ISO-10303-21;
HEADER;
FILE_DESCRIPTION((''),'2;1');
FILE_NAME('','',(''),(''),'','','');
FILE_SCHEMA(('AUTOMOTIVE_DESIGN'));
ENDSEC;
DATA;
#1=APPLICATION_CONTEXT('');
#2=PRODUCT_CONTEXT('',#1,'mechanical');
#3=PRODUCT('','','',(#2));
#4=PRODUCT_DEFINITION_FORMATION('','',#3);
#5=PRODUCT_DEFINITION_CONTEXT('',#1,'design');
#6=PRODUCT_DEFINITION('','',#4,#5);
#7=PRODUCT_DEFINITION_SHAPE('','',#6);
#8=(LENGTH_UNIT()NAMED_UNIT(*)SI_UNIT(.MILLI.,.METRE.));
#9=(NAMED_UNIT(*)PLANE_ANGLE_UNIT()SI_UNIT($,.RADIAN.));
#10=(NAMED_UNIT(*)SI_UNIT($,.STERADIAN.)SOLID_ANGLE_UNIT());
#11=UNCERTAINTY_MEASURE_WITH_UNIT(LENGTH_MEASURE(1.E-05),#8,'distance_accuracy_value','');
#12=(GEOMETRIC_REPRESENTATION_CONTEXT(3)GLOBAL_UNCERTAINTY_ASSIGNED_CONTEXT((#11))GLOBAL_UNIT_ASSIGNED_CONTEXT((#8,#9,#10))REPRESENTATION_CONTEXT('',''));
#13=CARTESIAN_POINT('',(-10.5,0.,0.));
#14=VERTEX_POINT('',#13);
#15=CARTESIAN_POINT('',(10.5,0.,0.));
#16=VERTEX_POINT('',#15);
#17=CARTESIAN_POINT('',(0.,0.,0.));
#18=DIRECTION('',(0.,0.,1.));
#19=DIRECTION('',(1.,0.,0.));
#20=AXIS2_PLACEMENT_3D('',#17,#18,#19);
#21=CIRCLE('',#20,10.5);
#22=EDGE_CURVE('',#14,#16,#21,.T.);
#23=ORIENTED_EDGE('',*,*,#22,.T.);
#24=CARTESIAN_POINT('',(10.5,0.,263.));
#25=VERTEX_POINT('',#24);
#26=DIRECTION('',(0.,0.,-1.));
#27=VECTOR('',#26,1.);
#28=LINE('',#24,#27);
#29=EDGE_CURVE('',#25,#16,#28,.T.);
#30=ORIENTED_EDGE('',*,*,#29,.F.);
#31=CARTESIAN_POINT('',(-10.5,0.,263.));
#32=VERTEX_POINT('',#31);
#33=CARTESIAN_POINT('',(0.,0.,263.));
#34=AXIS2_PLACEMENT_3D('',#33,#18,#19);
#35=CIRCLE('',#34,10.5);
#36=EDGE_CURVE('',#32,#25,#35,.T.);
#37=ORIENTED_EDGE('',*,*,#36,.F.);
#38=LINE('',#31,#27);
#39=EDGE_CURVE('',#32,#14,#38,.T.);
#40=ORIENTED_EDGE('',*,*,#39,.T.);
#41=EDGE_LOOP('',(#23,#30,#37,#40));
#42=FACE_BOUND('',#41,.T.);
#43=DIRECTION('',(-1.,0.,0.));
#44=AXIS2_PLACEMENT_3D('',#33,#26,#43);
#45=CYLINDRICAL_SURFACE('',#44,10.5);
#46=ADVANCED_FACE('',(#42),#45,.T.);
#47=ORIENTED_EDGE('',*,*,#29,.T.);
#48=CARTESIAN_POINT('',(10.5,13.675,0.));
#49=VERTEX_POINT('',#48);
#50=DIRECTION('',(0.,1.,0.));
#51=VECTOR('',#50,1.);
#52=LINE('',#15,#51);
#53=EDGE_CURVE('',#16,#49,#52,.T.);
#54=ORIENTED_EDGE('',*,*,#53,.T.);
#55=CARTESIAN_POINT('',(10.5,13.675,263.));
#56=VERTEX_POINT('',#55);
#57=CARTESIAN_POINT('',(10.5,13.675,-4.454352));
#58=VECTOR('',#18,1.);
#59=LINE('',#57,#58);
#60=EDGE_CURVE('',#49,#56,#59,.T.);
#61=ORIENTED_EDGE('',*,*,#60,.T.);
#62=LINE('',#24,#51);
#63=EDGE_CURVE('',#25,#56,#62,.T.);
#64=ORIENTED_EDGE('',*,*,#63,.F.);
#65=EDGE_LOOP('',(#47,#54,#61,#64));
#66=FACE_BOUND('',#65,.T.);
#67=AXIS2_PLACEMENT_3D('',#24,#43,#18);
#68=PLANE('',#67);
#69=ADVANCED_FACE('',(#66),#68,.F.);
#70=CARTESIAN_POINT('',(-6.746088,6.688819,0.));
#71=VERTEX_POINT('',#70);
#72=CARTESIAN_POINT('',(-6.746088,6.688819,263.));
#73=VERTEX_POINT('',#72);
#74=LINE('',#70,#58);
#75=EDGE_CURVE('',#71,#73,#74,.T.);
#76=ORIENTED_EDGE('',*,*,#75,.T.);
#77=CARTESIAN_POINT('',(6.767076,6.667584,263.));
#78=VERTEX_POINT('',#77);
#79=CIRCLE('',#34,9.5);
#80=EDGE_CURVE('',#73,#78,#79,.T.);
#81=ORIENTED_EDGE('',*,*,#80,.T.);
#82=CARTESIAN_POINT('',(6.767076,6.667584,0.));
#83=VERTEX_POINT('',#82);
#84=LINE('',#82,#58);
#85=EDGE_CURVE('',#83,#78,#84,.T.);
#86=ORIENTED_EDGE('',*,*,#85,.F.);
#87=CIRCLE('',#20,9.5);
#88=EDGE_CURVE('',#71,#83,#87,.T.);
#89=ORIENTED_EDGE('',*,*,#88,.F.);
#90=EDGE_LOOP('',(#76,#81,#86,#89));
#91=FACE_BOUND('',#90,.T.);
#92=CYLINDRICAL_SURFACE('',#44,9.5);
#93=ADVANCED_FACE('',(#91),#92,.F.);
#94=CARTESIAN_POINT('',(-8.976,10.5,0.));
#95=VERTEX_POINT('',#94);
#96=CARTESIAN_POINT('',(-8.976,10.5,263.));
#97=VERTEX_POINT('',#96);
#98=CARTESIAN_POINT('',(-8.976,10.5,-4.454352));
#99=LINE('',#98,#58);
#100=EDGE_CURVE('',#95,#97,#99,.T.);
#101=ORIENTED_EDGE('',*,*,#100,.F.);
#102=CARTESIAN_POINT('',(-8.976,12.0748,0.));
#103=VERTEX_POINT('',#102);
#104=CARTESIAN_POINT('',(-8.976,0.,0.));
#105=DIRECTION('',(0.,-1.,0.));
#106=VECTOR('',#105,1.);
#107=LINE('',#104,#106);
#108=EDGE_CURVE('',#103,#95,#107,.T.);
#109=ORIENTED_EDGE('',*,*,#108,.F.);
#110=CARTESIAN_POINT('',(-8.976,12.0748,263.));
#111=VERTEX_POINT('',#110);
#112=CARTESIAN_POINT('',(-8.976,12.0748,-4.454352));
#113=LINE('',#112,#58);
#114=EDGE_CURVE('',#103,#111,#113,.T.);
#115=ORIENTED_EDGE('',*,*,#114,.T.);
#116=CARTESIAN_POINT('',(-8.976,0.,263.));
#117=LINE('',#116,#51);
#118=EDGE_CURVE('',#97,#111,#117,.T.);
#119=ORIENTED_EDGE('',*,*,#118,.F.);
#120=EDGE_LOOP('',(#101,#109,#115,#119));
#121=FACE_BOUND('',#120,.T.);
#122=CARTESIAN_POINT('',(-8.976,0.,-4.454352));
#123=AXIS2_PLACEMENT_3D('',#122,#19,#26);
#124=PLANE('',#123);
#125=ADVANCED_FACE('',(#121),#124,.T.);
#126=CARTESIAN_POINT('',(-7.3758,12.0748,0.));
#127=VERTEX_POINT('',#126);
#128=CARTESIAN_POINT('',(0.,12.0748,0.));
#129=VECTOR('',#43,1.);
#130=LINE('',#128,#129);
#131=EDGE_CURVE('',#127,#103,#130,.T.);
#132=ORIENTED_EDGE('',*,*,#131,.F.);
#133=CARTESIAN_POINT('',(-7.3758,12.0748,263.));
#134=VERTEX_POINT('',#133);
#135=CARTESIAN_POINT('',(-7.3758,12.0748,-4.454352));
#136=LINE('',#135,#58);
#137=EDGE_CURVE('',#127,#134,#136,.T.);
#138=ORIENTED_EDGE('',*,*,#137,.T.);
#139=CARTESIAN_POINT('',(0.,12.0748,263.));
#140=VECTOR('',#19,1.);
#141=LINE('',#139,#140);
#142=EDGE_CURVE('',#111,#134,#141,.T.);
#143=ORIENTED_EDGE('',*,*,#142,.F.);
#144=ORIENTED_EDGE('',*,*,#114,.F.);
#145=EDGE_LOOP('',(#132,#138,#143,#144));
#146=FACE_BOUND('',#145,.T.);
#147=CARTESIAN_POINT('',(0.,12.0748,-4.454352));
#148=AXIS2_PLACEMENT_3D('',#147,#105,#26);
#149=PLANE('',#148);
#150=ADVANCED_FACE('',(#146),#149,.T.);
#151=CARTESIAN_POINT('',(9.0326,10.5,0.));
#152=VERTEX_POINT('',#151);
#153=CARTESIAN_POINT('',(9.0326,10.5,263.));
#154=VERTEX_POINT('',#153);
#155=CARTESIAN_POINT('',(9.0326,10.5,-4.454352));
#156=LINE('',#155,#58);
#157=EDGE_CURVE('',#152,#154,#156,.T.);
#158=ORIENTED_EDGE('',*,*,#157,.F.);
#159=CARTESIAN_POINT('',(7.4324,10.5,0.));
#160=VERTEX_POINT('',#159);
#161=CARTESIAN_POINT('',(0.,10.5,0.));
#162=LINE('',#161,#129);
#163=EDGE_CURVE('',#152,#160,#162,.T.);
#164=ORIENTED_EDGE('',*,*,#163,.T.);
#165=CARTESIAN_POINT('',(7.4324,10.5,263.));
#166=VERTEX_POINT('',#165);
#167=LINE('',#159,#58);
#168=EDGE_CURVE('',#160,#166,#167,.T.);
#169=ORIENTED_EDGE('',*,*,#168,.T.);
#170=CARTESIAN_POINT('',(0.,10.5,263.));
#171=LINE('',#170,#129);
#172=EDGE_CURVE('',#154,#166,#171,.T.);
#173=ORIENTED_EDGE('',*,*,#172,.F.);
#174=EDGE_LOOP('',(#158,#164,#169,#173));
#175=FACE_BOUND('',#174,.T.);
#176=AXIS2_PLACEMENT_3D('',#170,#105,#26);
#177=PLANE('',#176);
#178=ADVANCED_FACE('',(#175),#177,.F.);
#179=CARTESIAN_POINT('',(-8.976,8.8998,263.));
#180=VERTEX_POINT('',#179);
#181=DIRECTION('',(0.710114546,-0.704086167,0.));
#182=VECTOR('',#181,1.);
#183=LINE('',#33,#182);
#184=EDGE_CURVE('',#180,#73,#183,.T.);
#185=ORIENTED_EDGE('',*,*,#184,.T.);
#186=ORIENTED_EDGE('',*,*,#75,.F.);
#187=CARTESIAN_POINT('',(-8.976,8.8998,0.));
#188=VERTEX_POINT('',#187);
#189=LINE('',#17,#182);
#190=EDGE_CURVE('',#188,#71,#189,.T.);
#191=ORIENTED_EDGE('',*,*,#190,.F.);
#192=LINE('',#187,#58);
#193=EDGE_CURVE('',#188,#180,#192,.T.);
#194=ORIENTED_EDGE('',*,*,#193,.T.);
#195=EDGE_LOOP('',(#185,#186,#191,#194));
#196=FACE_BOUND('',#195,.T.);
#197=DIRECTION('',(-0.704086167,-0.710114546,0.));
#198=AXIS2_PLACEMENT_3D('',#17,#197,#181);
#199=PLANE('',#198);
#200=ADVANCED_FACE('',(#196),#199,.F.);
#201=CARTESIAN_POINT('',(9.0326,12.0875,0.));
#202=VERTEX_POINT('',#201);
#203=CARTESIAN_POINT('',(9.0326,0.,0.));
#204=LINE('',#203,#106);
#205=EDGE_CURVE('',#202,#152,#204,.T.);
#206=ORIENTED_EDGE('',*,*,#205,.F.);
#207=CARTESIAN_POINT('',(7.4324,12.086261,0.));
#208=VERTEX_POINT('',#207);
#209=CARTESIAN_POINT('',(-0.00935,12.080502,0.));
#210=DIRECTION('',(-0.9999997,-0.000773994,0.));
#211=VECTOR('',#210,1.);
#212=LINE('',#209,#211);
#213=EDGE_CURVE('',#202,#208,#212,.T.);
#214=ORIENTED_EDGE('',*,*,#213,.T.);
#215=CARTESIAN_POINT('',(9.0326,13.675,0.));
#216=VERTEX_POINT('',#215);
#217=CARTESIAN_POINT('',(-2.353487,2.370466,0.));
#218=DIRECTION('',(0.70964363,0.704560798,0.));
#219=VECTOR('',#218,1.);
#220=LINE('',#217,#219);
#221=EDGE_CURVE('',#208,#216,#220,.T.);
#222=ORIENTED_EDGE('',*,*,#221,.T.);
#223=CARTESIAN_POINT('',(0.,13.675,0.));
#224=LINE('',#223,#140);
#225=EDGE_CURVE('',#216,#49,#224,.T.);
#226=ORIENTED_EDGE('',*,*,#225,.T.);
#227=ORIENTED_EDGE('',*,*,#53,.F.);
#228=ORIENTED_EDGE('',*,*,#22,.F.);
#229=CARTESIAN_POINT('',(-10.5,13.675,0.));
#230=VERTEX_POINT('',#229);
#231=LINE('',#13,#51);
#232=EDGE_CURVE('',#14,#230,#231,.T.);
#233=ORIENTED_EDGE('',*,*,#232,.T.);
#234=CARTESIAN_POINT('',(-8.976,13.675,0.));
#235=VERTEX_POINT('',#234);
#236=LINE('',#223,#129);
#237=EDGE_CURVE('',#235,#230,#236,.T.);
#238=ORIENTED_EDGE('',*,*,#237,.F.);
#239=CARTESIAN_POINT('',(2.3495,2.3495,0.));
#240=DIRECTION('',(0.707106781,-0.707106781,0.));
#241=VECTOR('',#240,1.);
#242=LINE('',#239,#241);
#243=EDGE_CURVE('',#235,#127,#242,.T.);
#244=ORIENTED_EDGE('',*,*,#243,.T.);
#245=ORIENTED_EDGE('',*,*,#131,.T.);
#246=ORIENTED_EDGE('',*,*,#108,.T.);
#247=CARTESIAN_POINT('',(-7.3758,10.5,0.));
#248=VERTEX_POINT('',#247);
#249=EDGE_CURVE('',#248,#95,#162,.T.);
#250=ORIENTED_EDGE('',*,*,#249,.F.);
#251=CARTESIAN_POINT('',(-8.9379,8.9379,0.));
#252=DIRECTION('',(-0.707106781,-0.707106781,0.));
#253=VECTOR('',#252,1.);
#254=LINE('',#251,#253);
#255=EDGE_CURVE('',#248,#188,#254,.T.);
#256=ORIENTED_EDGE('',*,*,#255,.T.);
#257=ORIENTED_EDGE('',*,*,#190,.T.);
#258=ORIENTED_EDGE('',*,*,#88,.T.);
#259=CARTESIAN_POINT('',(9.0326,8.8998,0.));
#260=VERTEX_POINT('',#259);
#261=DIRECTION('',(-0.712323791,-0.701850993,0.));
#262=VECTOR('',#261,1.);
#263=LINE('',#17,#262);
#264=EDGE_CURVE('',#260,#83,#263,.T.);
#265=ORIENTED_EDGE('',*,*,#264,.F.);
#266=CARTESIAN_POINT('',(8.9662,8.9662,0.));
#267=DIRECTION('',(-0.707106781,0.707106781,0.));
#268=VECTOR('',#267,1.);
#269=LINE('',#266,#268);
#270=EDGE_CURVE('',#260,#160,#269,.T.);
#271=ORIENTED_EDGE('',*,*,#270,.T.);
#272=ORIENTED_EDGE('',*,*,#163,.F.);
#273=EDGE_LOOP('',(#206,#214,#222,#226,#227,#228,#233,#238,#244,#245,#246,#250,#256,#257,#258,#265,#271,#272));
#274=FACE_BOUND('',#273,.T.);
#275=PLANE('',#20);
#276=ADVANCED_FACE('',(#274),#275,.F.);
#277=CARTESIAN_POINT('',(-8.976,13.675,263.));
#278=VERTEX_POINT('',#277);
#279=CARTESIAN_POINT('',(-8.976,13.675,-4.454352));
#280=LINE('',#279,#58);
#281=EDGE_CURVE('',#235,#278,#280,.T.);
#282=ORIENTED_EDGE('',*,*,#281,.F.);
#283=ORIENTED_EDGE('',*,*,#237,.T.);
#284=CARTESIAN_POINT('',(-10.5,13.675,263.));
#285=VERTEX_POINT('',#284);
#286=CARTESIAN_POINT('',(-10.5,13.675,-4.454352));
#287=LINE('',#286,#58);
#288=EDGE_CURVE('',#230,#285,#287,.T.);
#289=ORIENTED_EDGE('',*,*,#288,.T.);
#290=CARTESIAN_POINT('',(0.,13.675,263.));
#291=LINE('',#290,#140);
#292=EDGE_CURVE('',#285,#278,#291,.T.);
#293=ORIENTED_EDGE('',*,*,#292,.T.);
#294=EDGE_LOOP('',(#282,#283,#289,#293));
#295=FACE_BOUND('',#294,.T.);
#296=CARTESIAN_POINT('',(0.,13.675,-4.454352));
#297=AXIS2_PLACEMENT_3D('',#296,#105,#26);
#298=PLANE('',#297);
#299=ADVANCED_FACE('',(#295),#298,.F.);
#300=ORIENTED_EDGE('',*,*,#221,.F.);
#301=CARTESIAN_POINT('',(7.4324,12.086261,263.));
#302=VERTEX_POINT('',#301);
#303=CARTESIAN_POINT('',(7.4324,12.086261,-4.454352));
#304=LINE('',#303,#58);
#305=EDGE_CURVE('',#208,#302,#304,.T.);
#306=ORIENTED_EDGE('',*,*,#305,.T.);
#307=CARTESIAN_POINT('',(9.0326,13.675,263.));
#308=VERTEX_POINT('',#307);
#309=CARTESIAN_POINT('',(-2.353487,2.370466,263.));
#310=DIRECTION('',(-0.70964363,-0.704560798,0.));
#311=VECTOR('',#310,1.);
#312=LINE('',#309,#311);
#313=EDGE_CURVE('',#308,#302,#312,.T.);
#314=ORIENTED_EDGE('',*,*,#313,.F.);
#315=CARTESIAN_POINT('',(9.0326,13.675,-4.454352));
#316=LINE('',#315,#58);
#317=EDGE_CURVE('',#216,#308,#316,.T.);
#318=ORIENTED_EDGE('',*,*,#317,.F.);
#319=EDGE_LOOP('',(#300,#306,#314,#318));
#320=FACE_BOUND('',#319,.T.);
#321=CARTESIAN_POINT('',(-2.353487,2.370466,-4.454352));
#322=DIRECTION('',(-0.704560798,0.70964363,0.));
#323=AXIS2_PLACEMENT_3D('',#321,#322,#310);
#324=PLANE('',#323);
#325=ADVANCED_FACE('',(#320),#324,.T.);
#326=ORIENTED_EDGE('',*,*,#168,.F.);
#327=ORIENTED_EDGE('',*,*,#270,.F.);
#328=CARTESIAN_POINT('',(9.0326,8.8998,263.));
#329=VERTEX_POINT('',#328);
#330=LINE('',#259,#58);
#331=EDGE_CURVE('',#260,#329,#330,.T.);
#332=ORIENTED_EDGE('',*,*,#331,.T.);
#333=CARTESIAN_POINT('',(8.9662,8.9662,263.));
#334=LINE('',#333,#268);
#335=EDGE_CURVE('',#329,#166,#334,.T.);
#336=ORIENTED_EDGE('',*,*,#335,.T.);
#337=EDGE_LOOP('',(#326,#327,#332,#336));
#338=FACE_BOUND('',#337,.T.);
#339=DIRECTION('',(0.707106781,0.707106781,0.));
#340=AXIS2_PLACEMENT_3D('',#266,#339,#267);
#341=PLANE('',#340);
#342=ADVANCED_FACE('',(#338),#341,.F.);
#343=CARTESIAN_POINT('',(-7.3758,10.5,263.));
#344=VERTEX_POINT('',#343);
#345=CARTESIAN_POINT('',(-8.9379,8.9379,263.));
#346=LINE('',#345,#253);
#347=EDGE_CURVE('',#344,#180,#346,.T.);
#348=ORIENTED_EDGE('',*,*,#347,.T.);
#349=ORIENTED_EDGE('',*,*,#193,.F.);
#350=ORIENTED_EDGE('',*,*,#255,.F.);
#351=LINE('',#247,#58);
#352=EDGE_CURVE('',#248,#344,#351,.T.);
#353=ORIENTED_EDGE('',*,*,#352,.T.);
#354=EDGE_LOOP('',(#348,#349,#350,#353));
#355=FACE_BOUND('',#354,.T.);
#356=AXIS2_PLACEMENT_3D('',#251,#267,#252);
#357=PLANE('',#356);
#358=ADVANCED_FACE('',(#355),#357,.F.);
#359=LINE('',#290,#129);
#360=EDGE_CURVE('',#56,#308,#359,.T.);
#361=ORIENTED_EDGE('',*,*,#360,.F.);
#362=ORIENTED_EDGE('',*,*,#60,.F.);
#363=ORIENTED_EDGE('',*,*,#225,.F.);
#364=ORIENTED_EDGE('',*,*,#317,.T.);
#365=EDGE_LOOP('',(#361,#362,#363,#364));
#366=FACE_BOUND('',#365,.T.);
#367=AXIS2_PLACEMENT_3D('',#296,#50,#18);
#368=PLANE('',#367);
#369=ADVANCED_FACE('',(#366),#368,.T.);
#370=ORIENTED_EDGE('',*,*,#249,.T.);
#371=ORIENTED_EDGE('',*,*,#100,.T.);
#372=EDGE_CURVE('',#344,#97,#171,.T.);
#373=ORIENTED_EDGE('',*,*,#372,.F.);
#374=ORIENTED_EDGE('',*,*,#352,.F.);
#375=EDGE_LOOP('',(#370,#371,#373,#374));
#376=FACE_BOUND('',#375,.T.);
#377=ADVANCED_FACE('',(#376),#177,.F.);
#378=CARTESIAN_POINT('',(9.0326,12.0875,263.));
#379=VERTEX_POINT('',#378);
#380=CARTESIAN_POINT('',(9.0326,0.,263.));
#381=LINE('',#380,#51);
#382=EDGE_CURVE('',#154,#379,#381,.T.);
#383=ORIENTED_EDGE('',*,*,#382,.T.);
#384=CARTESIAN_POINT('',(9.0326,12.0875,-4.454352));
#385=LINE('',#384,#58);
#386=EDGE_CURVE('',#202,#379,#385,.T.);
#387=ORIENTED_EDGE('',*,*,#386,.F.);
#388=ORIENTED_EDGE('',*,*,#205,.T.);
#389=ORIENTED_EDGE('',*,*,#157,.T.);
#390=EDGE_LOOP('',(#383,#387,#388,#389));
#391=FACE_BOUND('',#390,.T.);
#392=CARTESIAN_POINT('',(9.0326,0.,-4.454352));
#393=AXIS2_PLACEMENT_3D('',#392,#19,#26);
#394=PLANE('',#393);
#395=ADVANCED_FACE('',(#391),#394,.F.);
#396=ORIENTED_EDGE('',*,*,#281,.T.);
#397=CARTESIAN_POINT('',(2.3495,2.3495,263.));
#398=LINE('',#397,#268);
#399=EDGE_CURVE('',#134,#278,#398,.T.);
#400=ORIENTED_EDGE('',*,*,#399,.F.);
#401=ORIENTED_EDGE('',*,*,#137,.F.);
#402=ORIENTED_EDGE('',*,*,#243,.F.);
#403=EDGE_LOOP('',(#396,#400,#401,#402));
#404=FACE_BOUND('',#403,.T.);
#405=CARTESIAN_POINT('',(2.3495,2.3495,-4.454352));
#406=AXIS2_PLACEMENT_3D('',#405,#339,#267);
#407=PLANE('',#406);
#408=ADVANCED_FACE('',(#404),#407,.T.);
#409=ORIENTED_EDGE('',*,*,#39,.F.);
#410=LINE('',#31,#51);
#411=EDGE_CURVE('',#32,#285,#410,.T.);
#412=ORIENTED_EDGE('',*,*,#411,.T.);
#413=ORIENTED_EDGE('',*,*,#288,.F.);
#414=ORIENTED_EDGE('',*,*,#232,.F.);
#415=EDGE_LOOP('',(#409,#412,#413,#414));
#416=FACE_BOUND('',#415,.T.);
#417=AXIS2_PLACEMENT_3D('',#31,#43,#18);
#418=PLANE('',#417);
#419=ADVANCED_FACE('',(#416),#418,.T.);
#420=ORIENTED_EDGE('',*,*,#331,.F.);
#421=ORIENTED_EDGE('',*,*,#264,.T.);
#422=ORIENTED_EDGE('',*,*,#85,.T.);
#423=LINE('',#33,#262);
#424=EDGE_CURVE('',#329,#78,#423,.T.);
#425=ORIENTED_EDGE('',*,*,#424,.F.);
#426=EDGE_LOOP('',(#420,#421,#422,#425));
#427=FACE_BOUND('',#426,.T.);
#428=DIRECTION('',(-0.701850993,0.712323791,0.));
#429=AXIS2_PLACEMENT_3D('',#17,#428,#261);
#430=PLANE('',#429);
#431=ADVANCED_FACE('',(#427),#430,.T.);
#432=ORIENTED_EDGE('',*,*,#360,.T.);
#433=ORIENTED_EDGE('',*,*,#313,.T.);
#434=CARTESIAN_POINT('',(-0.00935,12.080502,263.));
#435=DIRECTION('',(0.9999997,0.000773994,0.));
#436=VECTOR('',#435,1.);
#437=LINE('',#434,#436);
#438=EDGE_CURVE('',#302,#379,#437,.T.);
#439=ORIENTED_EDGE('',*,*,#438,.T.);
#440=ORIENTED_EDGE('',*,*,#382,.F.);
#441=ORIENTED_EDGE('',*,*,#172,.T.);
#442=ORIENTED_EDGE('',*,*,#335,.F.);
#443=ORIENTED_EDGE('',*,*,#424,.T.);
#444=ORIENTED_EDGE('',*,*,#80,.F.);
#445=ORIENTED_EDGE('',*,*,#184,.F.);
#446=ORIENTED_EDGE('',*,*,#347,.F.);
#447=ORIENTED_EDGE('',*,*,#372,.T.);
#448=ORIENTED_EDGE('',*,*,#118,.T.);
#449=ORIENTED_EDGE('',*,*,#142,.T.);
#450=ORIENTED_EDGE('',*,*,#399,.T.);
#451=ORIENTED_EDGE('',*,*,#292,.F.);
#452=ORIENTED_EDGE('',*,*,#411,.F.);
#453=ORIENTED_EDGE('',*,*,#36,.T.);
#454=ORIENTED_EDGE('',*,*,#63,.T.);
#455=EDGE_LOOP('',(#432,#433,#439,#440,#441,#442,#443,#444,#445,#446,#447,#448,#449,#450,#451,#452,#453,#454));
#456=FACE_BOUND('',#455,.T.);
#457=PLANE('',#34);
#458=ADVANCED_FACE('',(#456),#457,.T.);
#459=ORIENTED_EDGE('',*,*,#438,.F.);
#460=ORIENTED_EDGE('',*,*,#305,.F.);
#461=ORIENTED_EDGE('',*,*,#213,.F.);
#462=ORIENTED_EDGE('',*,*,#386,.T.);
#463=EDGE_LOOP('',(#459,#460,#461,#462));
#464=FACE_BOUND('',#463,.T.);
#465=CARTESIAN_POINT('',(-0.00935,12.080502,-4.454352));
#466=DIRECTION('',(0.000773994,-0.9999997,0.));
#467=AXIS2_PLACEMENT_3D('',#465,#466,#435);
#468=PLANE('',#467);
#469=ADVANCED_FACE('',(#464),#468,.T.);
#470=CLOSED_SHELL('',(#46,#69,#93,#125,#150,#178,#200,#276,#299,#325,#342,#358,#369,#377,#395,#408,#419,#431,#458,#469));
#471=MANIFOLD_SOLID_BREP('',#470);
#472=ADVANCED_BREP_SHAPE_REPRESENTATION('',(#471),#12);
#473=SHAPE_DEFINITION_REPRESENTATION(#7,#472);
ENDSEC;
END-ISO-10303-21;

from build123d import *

# Parameters (mm, degrees)
SKETCH1_R           = 10.5
SKETCH1_R_2         = 9.5
BOSS_EXTRUDE1_DEPTH = 263
BOSS_EXTRUDE2_DEPTH = 263
CUT_EXTRUDE1_DEPTH  = 264.564518904


with BuildPart() as part:
    # Sketch1 → Boss-Extrude1 (new body)
    # profile 1 of 3: a face of its own
    with BuildSketch(Plane.XY):
        with BuildLine():
            ThreePointArc((-10.5, 0), (-7.424621202, 7.424621202), (0, 10.5))
            Line((0, 10.5), (-10.5, 10.5))
            Line((-10.5, 10.5), (-10.5, 0))
        make_face()
    # profile 2 of 3: a face of its own
    with BuildSketch(Plane.XY):
        with BuildLine():
            Line((10.5, 10.5), (0, 10.5))
            ThreePointArc((0, 10.5), (7.424621202, 7.424621202), (10.5, 0))
            Line((10.5, 0), (10.5, 10.5))
        make_face()
    # profile 3 of 3: a face of its own
    with BuildSketch(Plane.XY):
        Circle(SKETCH1_R)
        Circle(SKETCH1_R_2, mode=Mode.SUBTRACT)
    extrude(amount=BOSS_EXTRUDE1_DEPTH)

    # Sketch2 → Boss-Extrude2 (add)
    with BuildSketch(Plane.XY.offset(263)):
        Polygon((-10.5, 13.675), (-10.5, 10.5), (-8.976, 10.5), (-8.976, 12.0748), (-8.976, 13.675), align=None)
        Polygon((-8.976, 13.675), (-8.976, 12.0748), (-7.3758, 12.0748), align=None)
        Polygon((7.4324, 12.086261455), (9.0326, 12.0875), (9.0326, 13.675), align=None)
        Polygon((9.0326, 12.0875), (9.0326, 10.5), (10.5, 10.5), (10.5, 13.675), (9.0326, 13.675), align=None)
    extrude(amount=-BOSS_EXTRUDE2_DEPTH)

    # Sketch3 → Cut-Extrude1 (cut, through all)
    with BuildSketch(Plane.XY.offset(263)):
        with BuildLine():
            ThreePointArc((-6.74608819, 6.688818591), (-5.154578199, 7.979995212), (-3.323185213, 8.8998))
            Line((-3.323185213, 8.8998), (-8.976, 8.8998))
            Line((-8.976, 8.8998), (-6.74608819, 6.688818591))
        make_face()
        with BuildLine():
            Line((3.323185213, 8.8998), (9.0326, 8.8998))
            Line((9.0326, 8.8998), (7.4324, 10.5))
            Line((7.4324, 10.5), (-7.3758, 10.5))
            Line((-7.3758, 10.5), (-8.976, 8.8998))
            Line((-8.976, 8.8998), (-3.323185213, 8.8998))
            ThreePointArc((-3.323185213, 8.8998), (0, 9.5), (3.323185213, 8.8998))
        make_face()
        with BuildLine():
            Line((6.767076018, 6.667584433), (9.0326, 8.8998))
            Line((9.0326, 8.8998), (3.323185213, 8.8998))
            ThreePointArc((3.323185213, 8.8998), (5.167111332, 7.971885629), (6.767076018, 6.667584433))
        make_face()
    extrude(amount=-CUT_EXTRUDE1_DEPTH, mode=Mode.SUBTRACT)


solid = part.part
